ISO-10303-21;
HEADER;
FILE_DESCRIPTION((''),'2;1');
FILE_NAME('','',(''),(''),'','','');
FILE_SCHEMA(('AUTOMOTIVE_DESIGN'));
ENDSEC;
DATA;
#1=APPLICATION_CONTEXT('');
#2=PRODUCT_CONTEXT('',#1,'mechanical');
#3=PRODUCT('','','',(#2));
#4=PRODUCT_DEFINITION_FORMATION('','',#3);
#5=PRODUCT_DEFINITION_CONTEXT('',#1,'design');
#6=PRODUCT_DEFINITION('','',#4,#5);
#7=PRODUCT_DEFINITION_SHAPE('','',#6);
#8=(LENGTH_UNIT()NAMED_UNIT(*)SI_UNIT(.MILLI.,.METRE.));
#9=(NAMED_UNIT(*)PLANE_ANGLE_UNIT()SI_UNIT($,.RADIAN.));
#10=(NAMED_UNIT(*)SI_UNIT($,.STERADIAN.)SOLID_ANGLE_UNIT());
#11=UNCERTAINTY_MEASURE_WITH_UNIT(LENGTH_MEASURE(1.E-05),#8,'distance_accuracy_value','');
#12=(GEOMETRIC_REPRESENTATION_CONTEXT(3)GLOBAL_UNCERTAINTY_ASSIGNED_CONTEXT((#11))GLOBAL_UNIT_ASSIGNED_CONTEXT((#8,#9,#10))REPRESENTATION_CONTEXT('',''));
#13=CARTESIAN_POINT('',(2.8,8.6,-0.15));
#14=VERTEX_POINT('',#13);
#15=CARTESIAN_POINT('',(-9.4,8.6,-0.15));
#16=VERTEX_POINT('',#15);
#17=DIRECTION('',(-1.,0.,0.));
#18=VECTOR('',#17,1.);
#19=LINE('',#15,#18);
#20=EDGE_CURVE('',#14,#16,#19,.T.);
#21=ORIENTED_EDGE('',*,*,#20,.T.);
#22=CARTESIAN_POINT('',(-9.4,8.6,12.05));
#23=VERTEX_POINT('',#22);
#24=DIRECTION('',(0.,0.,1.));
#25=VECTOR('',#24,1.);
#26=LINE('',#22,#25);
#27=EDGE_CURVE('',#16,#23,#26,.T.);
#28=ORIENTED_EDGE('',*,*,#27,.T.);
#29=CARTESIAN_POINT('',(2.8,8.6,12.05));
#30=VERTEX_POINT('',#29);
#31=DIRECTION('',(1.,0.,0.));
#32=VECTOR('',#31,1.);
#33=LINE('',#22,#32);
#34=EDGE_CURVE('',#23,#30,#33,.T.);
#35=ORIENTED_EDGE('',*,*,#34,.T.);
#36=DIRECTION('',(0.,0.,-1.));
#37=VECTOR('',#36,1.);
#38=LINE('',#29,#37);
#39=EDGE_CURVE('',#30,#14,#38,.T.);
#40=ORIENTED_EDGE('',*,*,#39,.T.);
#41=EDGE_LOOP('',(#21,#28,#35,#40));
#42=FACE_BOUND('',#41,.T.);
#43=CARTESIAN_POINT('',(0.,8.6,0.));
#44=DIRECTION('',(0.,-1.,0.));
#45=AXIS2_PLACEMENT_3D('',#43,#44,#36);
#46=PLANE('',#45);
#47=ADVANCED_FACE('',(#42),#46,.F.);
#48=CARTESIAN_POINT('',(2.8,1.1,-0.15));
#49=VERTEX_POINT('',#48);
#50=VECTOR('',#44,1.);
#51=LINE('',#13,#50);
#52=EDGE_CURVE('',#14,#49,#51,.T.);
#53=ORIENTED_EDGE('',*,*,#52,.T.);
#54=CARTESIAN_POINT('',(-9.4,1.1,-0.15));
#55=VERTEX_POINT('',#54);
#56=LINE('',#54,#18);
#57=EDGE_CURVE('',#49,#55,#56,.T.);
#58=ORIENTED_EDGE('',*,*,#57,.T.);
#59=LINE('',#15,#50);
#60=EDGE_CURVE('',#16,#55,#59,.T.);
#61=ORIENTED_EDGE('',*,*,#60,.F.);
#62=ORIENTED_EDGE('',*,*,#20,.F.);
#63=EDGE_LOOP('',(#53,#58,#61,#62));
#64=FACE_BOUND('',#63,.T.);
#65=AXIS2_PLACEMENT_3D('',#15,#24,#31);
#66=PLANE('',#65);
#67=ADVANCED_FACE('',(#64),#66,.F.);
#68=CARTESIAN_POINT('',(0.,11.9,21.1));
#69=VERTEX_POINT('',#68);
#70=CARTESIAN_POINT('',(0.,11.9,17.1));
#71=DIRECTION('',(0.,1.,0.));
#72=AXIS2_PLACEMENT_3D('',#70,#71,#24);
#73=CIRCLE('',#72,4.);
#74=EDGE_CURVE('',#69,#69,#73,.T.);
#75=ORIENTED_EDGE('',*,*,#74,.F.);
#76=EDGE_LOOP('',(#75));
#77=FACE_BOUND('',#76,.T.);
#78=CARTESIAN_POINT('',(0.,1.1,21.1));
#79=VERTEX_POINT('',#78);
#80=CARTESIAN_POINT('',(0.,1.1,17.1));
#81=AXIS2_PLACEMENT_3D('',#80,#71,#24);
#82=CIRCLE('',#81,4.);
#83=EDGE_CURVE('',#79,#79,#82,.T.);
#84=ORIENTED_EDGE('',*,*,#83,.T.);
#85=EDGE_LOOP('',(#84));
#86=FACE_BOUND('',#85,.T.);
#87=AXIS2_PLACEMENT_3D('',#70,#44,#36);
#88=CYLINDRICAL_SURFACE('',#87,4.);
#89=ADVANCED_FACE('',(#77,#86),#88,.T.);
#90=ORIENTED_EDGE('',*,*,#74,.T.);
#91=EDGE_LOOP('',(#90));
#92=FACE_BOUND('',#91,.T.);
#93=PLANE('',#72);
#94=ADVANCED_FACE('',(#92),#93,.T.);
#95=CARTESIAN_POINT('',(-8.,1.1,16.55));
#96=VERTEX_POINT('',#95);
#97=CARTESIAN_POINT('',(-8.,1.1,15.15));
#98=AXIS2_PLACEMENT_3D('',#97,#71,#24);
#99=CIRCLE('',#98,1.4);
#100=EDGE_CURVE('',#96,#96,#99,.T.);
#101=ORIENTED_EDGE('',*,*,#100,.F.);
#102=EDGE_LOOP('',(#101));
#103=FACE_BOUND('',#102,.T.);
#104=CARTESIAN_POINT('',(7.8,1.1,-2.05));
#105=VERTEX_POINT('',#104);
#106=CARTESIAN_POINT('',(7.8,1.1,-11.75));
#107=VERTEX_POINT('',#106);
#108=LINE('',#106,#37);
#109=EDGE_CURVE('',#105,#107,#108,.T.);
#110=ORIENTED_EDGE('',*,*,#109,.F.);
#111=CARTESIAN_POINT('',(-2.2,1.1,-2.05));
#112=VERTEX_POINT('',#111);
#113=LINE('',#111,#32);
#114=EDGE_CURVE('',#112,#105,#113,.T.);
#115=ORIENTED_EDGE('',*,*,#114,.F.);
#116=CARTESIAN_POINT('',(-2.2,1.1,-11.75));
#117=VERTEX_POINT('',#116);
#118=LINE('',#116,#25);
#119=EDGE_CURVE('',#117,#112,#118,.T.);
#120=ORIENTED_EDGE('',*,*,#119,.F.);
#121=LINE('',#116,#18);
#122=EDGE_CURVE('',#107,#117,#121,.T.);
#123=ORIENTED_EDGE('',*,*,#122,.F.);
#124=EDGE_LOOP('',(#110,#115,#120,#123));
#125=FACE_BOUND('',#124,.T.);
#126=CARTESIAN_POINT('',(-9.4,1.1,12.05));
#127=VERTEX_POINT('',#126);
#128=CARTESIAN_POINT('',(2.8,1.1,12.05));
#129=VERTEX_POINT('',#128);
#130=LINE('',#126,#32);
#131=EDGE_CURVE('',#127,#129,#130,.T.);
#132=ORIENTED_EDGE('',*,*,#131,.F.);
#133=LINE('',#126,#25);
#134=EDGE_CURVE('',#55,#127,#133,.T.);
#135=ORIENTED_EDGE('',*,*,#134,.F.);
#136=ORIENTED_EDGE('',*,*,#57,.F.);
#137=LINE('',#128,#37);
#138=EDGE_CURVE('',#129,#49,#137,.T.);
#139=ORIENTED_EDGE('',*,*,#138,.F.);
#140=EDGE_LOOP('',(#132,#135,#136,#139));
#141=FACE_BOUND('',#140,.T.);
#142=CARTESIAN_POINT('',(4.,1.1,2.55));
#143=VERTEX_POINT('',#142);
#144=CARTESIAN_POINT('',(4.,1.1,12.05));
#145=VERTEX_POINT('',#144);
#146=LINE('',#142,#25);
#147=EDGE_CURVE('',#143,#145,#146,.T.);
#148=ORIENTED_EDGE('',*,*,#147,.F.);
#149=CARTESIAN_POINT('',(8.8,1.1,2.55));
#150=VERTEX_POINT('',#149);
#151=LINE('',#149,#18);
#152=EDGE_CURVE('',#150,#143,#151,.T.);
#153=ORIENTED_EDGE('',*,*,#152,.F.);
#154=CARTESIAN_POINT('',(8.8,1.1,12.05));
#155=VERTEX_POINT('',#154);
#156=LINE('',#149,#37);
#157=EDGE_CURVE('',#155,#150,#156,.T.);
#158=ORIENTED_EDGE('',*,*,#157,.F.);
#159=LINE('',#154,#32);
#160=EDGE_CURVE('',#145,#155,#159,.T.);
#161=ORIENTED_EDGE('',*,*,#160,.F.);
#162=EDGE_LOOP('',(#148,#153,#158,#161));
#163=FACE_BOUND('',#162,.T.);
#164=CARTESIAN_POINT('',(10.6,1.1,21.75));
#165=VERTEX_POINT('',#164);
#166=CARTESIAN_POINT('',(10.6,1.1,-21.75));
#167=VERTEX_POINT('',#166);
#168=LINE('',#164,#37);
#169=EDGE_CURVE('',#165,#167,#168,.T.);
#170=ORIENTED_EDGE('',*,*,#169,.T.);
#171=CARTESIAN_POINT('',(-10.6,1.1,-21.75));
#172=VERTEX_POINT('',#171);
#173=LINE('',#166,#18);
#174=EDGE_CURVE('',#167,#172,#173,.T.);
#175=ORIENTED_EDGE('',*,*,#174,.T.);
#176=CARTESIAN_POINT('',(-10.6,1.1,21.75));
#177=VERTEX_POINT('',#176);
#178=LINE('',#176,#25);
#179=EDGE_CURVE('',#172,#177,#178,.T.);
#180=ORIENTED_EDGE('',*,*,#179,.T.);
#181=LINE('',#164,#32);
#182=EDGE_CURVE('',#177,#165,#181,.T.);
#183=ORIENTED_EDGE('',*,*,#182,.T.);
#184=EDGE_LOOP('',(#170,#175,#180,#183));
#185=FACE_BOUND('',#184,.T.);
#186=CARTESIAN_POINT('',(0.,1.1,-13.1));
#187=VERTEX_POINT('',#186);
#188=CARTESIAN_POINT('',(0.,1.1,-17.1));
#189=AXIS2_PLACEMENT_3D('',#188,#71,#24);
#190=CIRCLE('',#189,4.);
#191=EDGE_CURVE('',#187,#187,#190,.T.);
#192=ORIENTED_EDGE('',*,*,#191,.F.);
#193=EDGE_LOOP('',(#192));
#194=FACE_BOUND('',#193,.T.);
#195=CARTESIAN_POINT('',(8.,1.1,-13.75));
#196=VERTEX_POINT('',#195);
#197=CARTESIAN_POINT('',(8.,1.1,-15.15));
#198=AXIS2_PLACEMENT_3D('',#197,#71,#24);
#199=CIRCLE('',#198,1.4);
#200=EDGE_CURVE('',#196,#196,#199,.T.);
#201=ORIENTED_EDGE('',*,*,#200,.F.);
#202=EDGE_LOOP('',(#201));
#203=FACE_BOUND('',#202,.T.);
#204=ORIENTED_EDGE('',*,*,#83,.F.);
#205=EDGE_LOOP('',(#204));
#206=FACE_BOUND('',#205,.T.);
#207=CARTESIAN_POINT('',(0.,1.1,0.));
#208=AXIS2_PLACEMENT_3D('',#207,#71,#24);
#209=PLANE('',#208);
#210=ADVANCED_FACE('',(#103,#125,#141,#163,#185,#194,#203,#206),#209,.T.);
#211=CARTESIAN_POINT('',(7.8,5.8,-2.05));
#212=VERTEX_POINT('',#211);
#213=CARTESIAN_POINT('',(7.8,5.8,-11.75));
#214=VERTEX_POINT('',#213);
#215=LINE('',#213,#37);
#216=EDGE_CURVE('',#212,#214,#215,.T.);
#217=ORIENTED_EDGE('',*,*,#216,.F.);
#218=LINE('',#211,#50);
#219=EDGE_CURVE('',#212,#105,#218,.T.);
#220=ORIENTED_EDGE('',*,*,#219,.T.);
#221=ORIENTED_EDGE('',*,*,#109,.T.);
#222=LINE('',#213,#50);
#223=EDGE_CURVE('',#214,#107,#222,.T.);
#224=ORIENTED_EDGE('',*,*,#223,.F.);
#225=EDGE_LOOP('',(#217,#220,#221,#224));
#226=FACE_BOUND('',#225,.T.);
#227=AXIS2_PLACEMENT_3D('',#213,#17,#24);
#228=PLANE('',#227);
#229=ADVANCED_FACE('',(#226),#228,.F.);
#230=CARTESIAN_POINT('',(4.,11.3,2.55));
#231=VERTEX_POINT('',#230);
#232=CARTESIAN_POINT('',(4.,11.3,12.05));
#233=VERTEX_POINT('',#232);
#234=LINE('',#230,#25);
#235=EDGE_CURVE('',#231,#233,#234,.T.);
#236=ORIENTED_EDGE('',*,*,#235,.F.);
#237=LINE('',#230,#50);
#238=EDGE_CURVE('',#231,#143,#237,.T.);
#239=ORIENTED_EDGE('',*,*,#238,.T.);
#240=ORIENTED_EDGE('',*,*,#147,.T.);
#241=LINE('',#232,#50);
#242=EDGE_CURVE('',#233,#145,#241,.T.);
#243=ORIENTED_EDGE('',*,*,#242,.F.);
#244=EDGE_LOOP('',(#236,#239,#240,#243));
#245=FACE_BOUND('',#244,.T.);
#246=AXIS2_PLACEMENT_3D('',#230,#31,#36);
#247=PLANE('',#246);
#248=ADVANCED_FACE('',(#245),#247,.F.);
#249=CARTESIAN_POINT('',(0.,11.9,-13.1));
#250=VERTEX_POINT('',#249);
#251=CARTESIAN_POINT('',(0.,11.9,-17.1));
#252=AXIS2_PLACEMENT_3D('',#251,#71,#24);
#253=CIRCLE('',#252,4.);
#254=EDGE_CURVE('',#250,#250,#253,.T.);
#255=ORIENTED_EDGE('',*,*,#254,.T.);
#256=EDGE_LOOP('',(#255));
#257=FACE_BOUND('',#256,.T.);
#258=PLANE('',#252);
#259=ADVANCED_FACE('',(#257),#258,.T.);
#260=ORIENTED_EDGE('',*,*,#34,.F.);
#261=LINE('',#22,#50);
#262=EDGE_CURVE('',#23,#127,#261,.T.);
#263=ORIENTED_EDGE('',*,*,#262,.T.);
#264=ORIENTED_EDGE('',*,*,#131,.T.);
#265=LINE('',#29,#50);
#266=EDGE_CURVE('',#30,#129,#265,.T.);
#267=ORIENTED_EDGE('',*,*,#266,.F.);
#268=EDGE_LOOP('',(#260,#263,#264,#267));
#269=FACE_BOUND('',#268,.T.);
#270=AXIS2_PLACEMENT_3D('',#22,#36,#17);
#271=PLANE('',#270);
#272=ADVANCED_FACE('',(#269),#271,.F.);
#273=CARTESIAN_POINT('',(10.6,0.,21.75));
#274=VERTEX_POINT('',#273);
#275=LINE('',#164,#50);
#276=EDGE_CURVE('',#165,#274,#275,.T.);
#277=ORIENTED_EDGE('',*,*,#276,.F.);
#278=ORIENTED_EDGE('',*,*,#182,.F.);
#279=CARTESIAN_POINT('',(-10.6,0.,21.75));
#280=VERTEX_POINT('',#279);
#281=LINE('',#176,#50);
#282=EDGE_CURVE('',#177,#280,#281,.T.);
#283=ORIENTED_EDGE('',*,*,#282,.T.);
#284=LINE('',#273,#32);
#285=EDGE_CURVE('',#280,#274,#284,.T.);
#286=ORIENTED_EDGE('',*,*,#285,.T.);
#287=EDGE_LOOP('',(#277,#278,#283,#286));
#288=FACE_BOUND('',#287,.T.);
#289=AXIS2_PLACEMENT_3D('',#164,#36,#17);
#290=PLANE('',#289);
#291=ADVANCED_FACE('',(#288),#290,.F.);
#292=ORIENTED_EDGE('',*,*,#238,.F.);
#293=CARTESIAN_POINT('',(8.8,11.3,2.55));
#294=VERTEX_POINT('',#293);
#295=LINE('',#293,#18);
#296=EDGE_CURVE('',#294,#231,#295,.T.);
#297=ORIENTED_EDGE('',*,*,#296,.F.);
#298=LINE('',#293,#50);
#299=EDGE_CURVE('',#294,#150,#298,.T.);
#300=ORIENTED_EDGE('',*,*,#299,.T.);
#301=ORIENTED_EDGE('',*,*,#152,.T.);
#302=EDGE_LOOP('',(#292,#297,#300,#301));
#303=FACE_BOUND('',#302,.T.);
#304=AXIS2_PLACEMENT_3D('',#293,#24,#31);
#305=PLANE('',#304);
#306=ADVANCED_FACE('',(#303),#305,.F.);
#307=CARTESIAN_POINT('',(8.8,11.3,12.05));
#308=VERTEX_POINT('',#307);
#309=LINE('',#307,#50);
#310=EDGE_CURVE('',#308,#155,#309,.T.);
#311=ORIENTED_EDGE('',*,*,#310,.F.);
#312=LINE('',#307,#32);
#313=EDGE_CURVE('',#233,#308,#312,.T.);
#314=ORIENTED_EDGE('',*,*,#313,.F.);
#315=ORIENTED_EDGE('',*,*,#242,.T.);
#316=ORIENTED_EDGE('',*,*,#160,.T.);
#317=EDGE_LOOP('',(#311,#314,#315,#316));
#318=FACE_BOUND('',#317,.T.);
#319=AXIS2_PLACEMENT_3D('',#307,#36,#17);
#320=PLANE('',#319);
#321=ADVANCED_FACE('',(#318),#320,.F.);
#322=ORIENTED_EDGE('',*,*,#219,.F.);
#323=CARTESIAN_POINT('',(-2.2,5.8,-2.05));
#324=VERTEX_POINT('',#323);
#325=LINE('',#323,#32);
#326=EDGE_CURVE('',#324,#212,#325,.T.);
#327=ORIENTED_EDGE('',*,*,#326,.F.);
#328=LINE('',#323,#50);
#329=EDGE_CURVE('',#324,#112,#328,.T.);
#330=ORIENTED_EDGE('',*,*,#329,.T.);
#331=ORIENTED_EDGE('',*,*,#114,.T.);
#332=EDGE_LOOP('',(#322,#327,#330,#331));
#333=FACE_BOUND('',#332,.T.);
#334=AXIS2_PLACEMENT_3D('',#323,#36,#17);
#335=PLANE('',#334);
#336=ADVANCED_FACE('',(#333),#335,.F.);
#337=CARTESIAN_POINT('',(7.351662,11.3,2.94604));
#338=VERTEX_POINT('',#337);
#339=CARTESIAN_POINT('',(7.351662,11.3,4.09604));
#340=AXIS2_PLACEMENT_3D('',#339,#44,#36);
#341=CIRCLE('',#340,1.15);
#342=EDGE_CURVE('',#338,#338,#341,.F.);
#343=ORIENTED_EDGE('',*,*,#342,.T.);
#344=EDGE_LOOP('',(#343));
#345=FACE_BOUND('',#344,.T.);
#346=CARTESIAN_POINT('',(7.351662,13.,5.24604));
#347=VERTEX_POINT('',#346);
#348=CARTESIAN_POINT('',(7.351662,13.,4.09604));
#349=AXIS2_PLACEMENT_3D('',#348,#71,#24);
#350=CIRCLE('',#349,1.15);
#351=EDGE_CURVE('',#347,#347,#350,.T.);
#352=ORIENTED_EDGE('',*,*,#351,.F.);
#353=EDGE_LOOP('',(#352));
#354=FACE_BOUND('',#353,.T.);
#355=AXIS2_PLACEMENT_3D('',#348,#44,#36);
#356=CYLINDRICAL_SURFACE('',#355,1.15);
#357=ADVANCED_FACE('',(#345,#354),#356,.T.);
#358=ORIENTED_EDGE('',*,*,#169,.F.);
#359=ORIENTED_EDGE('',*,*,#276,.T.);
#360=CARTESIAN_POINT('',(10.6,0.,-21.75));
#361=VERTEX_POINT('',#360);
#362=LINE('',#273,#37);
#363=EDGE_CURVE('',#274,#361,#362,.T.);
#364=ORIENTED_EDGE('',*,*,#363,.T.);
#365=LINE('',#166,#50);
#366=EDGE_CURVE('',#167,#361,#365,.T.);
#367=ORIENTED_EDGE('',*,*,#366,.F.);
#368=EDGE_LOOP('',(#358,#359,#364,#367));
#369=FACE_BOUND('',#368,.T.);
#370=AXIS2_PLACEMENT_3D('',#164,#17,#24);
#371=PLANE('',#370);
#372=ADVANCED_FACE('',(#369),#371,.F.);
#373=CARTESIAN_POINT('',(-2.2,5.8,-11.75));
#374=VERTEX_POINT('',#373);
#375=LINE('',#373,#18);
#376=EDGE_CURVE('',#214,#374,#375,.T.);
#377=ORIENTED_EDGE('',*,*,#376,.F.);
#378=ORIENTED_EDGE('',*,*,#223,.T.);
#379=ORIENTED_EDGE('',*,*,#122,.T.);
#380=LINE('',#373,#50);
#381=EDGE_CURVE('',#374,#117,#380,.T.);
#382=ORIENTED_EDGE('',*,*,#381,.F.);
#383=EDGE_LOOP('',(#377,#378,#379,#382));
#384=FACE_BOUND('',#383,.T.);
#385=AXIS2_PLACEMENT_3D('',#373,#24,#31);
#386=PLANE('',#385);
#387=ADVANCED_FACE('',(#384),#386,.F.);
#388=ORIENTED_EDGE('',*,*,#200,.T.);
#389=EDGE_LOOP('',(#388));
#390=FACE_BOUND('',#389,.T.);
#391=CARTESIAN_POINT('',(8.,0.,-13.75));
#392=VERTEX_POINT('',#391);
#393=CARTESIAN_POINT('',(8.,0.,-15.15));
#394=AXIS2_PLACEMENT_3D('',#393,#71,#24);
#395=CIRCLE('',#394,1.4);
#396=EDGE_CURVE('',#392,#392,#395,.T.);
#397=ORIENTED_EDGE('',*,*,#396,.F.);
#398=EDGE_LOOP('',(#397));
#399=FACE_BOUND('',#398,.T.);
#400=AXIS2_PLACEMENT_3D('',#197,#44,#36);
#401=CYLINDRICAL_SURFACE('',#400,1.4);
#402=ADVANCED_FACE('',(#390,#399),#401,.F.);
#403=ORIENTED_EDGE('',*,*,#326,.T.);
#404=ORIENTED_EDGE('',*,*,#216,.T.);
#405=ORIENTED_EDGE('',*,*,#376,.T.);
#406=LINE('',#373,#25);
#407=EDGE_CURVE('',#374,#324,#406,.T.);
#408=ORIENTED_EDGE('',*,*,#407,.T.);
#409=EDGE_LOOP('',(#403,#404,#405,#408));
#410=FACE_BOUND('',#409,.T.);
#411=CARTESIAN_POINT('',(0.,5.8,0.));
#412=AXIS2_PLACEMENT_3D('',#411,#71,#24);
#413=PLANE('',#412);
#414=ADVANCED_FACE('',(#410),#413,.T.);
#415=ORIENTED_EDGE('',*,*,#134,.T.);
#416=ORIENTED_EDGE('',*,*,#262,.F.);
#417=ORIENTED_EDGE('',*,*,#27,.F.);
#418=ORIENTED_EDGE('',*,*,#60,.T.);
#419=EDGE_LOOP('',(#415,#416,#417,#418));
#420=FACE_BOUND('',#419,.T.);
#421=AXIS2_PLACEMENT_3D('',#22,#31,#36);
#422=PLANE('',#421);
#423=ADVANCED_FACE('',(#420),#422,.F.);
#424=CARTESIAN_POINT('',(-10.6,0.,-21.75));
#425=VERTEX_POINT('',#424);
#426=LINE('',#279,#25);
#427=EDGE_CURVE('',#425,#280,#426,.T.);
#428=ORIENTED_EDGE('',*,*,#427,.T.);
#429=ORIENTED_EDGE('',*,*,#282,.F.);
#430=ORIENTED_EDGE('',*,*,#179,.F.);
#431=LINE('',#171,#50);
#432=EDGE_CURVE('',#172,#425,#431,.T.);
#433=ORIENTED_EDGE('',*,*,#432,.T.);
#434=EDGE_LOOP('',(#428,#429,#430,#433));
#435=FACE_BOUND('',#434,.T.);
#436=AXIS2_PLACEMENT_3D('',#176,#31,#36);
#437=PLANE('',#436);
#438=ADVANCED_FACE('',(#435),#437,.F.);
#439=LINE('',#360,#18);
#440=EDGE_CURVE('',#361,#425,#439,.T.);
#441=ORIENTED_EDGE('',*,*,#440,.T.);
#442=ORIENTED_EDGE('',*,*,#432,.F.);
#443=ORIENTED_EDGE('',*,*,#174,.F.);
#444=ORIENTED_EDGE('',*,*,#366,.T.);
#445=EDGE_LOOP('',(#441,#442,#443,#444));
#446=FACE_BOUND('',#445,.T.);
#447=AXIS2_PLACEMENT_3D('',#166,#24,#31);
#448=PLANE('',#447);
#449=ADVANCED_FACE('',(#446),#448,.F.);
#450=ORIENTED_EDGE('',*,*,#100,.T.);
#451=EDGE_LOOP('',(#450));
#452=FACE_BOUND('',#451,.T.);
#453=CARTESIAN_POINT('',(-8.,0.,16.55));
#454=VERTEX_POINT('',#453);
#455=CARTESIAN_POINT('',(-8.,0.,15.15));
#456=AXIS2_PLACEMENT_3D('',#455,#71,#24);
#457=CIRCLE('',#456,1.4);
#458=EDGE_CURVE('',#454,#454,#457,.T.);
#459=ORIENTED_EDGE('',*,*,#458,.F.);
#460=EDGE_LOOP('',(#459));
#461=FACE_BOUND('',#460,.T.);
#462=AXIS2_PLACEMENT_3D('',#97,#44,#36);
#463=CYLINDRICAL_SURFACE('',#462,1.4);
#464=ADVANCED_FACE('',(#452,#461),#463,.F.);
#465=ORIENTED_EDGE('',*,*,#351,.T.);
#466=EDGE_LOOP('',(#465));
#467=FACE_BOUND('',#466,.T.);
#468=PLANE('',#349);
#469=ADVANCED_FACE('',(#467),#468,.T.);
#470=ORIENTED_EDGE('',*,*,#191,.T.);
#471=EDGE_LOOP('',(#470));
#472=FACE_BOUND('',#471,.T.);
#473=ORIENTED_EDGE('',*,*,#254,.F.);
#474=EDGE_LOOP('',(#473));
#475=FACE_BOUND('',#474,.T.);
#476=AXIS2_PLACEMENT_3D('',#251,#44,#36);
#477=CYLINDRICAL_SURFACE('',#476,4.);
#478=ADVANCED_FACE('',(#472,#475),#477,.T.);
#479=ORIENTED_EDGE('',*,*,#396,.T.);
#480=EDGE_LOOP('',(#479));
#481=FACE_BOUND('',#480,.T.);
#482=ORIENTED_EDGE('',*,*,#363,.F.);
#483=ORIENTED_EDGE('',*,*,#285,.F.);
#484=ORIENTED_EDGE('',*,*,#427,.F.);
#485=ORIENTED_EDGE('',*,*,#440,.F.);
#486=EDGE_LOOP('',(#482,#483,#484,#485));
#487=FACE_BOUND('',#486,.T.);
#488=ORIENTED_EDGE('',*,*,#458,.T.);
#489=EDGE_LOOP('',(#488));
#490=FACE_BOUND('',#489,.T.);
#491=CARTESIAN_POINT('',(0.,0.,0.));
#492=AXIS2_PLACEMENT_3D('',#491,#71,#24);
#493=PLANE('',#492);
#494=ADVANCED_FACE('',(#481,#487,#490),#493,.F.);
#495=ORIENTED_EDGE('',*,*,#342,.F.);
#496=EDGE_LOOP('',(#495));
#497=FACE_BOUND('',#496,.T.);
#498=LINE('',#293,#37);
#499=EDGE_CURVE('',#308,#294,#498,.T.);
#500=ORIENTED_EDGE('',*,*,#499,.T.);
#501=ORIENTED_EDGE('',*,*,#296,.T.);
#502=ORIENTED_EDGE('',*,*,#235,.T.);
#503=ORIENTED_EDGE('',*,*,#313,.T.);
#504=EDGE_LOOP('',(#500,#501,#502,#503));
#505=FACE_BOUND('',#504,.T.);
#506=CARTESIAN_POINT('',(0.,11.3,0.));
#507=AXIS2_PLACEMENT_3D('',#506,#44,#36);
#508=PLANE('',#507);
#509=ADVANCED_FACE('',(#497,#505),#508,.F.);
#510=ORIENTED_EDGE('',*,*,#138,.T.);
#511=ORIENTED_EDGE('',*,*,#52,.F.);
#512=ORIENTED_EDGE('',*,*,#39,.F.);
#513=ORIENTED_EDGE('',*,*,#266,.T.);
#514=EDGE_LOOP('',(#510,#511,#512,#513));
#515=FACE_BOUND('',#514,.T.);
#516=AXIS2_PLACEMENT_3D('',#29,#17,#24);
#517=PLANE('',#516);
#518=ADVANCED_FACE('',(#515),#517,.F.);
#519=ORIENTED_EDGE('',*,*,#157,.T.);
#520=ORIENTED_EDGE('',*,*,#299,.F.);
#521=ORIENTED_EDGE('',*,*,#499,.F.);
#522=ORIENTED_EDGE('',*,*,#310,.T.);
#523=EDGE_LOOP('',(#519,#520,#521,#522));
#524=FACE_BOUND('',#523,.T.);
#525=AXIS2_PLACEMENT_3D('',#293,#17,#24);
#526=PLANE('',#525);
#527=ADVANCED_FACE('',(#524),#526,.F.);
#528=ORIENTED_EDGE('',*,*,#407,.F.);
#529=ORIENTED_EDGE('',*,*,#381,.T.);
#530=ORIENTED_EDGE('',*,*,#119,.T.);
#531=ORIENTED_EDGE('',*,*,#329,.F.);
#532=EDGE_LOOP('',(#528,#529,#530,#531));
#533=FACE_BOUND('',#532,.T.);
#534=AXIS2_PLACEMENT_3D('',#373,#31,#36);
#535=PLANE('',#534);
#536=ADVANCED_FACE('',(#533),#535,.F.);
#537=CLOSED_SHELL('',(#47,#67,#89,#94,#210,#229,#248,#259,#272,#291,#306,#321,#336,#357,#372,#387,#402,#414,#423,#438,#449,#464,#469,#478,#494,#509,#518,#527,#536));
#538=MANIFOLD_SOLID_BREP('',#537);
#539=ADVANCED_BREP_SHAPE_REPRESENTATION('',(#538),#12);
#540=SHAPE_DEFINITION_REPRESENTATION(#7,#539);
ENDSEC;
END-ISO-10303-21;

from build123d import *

# Parameters (mm, degrees)
SKETCH_1_W      = 21.2
SKETCH_1_H      = 43.5
SKETCH_1_R      = 1.4
EXTRUDE_1_DEPTH = 1.1
SKETCH_2_R      = 4
EXTRUDE_2_DEPTH = 10.8
SKETCH_3_W      = 12.2
SKETCH_3_H      = 12.2
EXTRUDE_3_DEPTH = 7.5
SKETCH_4_W      = 4.8
SKETCH_4_H      = 9.5
EXTRUDE_4_DEPTH = 10.2
SKETCH_5_W      = 10
SKETCH_5_H      = 9.7
EXTRUDE_5_DEPTH = 4.7
SKETCH_6_R      = 1.15
EXTRUDE_6_DEPTH = 1.7


with BuildPart() as part:
    # 草图1 → 凸台-拉伸1 (new body)
    with BuildSketch(Plane(origin=(0, 0, 0), x_dir=(1, 0, 0), z_dir=(0, 1, 0))):
        Rectangle(SKETCH_1_W, SKETCH_1_H)
        with Locations((8, 15.15)):
            Circle(SKETCH_1_R, mode=Mode.SUBTRACT)
        with Locations((-8, -15.15)):
            Circle(SKETCH_1_R, mode=Mode.SUBTRACT)
    extrude(amount=EXTRUDE_1_DEPTH)

    # 草图2 → 凸台-拉伸2 (add)
    with BuildSketch(Plane(origin=(0, 1.1, 0), x_dir=(1, 0, 0), z_dir=(0, 1, 0))):
        with Locations((0, 17.1)):
            Circle(SKETCH_2_R)
        with Locations((0, -17.1)):
            Circle(SKETCH_2_R)
    extrude(amount=EXTRUDE_2_DEPTH)

    # 草图3 → 凸台-拉伸3 (add)
    with BuildSketch(Plane(origin=(0, 1.1, 0), x_dir=(1, 0, 0), z_dir=(0, 1, 0))):
        with Locations((-3.3, -5.95)):
            Rectangle(SKETCH_3_W, SKETCH_3_H)
    extrude(amount=EXTRUDE_3_DEPTH)

    # 草图4 → 凸台-拉伸4 (add)
    with BuildSketch(Plane(origin=(0, 1.1, 0), x_dir=(1, 0, 0), z_dir=(0, 1, 0))):
        with Locations((6.4, -7.3)):
            Rectangle(SKETCH_4_W, SKETCH_4_H)
    extrude(amount=EXTRUDE_4_DEPTH)

    # 草图5 → 凸台-拉伸5 (add)
    with BuildSketch(Plane(origin=(0, 1.1, 0), x_dir=(1, 0, 0), z_dir=(0, 1, 0))):
        with Locations((2.8, 6.9)):
            Rectangle(SKETCH_5_W, SKETCH_5_H)
    extrude(amount=EXTRUDE_5_DEPTH)

    # 草图6 → 凸台-拉伸6 (add)
    with BuildSketch(Plane(origin=(0, 11.3, 0), x_dir=(1, 0, 0), z_dir=(0, 1, 0))):
        with Locations((7.351662329, -4.096039532)):
            Circle(SKETCH_6_R)
    extrude(amount=EXTRUDE_6_DEPTH)


solid = part.part
